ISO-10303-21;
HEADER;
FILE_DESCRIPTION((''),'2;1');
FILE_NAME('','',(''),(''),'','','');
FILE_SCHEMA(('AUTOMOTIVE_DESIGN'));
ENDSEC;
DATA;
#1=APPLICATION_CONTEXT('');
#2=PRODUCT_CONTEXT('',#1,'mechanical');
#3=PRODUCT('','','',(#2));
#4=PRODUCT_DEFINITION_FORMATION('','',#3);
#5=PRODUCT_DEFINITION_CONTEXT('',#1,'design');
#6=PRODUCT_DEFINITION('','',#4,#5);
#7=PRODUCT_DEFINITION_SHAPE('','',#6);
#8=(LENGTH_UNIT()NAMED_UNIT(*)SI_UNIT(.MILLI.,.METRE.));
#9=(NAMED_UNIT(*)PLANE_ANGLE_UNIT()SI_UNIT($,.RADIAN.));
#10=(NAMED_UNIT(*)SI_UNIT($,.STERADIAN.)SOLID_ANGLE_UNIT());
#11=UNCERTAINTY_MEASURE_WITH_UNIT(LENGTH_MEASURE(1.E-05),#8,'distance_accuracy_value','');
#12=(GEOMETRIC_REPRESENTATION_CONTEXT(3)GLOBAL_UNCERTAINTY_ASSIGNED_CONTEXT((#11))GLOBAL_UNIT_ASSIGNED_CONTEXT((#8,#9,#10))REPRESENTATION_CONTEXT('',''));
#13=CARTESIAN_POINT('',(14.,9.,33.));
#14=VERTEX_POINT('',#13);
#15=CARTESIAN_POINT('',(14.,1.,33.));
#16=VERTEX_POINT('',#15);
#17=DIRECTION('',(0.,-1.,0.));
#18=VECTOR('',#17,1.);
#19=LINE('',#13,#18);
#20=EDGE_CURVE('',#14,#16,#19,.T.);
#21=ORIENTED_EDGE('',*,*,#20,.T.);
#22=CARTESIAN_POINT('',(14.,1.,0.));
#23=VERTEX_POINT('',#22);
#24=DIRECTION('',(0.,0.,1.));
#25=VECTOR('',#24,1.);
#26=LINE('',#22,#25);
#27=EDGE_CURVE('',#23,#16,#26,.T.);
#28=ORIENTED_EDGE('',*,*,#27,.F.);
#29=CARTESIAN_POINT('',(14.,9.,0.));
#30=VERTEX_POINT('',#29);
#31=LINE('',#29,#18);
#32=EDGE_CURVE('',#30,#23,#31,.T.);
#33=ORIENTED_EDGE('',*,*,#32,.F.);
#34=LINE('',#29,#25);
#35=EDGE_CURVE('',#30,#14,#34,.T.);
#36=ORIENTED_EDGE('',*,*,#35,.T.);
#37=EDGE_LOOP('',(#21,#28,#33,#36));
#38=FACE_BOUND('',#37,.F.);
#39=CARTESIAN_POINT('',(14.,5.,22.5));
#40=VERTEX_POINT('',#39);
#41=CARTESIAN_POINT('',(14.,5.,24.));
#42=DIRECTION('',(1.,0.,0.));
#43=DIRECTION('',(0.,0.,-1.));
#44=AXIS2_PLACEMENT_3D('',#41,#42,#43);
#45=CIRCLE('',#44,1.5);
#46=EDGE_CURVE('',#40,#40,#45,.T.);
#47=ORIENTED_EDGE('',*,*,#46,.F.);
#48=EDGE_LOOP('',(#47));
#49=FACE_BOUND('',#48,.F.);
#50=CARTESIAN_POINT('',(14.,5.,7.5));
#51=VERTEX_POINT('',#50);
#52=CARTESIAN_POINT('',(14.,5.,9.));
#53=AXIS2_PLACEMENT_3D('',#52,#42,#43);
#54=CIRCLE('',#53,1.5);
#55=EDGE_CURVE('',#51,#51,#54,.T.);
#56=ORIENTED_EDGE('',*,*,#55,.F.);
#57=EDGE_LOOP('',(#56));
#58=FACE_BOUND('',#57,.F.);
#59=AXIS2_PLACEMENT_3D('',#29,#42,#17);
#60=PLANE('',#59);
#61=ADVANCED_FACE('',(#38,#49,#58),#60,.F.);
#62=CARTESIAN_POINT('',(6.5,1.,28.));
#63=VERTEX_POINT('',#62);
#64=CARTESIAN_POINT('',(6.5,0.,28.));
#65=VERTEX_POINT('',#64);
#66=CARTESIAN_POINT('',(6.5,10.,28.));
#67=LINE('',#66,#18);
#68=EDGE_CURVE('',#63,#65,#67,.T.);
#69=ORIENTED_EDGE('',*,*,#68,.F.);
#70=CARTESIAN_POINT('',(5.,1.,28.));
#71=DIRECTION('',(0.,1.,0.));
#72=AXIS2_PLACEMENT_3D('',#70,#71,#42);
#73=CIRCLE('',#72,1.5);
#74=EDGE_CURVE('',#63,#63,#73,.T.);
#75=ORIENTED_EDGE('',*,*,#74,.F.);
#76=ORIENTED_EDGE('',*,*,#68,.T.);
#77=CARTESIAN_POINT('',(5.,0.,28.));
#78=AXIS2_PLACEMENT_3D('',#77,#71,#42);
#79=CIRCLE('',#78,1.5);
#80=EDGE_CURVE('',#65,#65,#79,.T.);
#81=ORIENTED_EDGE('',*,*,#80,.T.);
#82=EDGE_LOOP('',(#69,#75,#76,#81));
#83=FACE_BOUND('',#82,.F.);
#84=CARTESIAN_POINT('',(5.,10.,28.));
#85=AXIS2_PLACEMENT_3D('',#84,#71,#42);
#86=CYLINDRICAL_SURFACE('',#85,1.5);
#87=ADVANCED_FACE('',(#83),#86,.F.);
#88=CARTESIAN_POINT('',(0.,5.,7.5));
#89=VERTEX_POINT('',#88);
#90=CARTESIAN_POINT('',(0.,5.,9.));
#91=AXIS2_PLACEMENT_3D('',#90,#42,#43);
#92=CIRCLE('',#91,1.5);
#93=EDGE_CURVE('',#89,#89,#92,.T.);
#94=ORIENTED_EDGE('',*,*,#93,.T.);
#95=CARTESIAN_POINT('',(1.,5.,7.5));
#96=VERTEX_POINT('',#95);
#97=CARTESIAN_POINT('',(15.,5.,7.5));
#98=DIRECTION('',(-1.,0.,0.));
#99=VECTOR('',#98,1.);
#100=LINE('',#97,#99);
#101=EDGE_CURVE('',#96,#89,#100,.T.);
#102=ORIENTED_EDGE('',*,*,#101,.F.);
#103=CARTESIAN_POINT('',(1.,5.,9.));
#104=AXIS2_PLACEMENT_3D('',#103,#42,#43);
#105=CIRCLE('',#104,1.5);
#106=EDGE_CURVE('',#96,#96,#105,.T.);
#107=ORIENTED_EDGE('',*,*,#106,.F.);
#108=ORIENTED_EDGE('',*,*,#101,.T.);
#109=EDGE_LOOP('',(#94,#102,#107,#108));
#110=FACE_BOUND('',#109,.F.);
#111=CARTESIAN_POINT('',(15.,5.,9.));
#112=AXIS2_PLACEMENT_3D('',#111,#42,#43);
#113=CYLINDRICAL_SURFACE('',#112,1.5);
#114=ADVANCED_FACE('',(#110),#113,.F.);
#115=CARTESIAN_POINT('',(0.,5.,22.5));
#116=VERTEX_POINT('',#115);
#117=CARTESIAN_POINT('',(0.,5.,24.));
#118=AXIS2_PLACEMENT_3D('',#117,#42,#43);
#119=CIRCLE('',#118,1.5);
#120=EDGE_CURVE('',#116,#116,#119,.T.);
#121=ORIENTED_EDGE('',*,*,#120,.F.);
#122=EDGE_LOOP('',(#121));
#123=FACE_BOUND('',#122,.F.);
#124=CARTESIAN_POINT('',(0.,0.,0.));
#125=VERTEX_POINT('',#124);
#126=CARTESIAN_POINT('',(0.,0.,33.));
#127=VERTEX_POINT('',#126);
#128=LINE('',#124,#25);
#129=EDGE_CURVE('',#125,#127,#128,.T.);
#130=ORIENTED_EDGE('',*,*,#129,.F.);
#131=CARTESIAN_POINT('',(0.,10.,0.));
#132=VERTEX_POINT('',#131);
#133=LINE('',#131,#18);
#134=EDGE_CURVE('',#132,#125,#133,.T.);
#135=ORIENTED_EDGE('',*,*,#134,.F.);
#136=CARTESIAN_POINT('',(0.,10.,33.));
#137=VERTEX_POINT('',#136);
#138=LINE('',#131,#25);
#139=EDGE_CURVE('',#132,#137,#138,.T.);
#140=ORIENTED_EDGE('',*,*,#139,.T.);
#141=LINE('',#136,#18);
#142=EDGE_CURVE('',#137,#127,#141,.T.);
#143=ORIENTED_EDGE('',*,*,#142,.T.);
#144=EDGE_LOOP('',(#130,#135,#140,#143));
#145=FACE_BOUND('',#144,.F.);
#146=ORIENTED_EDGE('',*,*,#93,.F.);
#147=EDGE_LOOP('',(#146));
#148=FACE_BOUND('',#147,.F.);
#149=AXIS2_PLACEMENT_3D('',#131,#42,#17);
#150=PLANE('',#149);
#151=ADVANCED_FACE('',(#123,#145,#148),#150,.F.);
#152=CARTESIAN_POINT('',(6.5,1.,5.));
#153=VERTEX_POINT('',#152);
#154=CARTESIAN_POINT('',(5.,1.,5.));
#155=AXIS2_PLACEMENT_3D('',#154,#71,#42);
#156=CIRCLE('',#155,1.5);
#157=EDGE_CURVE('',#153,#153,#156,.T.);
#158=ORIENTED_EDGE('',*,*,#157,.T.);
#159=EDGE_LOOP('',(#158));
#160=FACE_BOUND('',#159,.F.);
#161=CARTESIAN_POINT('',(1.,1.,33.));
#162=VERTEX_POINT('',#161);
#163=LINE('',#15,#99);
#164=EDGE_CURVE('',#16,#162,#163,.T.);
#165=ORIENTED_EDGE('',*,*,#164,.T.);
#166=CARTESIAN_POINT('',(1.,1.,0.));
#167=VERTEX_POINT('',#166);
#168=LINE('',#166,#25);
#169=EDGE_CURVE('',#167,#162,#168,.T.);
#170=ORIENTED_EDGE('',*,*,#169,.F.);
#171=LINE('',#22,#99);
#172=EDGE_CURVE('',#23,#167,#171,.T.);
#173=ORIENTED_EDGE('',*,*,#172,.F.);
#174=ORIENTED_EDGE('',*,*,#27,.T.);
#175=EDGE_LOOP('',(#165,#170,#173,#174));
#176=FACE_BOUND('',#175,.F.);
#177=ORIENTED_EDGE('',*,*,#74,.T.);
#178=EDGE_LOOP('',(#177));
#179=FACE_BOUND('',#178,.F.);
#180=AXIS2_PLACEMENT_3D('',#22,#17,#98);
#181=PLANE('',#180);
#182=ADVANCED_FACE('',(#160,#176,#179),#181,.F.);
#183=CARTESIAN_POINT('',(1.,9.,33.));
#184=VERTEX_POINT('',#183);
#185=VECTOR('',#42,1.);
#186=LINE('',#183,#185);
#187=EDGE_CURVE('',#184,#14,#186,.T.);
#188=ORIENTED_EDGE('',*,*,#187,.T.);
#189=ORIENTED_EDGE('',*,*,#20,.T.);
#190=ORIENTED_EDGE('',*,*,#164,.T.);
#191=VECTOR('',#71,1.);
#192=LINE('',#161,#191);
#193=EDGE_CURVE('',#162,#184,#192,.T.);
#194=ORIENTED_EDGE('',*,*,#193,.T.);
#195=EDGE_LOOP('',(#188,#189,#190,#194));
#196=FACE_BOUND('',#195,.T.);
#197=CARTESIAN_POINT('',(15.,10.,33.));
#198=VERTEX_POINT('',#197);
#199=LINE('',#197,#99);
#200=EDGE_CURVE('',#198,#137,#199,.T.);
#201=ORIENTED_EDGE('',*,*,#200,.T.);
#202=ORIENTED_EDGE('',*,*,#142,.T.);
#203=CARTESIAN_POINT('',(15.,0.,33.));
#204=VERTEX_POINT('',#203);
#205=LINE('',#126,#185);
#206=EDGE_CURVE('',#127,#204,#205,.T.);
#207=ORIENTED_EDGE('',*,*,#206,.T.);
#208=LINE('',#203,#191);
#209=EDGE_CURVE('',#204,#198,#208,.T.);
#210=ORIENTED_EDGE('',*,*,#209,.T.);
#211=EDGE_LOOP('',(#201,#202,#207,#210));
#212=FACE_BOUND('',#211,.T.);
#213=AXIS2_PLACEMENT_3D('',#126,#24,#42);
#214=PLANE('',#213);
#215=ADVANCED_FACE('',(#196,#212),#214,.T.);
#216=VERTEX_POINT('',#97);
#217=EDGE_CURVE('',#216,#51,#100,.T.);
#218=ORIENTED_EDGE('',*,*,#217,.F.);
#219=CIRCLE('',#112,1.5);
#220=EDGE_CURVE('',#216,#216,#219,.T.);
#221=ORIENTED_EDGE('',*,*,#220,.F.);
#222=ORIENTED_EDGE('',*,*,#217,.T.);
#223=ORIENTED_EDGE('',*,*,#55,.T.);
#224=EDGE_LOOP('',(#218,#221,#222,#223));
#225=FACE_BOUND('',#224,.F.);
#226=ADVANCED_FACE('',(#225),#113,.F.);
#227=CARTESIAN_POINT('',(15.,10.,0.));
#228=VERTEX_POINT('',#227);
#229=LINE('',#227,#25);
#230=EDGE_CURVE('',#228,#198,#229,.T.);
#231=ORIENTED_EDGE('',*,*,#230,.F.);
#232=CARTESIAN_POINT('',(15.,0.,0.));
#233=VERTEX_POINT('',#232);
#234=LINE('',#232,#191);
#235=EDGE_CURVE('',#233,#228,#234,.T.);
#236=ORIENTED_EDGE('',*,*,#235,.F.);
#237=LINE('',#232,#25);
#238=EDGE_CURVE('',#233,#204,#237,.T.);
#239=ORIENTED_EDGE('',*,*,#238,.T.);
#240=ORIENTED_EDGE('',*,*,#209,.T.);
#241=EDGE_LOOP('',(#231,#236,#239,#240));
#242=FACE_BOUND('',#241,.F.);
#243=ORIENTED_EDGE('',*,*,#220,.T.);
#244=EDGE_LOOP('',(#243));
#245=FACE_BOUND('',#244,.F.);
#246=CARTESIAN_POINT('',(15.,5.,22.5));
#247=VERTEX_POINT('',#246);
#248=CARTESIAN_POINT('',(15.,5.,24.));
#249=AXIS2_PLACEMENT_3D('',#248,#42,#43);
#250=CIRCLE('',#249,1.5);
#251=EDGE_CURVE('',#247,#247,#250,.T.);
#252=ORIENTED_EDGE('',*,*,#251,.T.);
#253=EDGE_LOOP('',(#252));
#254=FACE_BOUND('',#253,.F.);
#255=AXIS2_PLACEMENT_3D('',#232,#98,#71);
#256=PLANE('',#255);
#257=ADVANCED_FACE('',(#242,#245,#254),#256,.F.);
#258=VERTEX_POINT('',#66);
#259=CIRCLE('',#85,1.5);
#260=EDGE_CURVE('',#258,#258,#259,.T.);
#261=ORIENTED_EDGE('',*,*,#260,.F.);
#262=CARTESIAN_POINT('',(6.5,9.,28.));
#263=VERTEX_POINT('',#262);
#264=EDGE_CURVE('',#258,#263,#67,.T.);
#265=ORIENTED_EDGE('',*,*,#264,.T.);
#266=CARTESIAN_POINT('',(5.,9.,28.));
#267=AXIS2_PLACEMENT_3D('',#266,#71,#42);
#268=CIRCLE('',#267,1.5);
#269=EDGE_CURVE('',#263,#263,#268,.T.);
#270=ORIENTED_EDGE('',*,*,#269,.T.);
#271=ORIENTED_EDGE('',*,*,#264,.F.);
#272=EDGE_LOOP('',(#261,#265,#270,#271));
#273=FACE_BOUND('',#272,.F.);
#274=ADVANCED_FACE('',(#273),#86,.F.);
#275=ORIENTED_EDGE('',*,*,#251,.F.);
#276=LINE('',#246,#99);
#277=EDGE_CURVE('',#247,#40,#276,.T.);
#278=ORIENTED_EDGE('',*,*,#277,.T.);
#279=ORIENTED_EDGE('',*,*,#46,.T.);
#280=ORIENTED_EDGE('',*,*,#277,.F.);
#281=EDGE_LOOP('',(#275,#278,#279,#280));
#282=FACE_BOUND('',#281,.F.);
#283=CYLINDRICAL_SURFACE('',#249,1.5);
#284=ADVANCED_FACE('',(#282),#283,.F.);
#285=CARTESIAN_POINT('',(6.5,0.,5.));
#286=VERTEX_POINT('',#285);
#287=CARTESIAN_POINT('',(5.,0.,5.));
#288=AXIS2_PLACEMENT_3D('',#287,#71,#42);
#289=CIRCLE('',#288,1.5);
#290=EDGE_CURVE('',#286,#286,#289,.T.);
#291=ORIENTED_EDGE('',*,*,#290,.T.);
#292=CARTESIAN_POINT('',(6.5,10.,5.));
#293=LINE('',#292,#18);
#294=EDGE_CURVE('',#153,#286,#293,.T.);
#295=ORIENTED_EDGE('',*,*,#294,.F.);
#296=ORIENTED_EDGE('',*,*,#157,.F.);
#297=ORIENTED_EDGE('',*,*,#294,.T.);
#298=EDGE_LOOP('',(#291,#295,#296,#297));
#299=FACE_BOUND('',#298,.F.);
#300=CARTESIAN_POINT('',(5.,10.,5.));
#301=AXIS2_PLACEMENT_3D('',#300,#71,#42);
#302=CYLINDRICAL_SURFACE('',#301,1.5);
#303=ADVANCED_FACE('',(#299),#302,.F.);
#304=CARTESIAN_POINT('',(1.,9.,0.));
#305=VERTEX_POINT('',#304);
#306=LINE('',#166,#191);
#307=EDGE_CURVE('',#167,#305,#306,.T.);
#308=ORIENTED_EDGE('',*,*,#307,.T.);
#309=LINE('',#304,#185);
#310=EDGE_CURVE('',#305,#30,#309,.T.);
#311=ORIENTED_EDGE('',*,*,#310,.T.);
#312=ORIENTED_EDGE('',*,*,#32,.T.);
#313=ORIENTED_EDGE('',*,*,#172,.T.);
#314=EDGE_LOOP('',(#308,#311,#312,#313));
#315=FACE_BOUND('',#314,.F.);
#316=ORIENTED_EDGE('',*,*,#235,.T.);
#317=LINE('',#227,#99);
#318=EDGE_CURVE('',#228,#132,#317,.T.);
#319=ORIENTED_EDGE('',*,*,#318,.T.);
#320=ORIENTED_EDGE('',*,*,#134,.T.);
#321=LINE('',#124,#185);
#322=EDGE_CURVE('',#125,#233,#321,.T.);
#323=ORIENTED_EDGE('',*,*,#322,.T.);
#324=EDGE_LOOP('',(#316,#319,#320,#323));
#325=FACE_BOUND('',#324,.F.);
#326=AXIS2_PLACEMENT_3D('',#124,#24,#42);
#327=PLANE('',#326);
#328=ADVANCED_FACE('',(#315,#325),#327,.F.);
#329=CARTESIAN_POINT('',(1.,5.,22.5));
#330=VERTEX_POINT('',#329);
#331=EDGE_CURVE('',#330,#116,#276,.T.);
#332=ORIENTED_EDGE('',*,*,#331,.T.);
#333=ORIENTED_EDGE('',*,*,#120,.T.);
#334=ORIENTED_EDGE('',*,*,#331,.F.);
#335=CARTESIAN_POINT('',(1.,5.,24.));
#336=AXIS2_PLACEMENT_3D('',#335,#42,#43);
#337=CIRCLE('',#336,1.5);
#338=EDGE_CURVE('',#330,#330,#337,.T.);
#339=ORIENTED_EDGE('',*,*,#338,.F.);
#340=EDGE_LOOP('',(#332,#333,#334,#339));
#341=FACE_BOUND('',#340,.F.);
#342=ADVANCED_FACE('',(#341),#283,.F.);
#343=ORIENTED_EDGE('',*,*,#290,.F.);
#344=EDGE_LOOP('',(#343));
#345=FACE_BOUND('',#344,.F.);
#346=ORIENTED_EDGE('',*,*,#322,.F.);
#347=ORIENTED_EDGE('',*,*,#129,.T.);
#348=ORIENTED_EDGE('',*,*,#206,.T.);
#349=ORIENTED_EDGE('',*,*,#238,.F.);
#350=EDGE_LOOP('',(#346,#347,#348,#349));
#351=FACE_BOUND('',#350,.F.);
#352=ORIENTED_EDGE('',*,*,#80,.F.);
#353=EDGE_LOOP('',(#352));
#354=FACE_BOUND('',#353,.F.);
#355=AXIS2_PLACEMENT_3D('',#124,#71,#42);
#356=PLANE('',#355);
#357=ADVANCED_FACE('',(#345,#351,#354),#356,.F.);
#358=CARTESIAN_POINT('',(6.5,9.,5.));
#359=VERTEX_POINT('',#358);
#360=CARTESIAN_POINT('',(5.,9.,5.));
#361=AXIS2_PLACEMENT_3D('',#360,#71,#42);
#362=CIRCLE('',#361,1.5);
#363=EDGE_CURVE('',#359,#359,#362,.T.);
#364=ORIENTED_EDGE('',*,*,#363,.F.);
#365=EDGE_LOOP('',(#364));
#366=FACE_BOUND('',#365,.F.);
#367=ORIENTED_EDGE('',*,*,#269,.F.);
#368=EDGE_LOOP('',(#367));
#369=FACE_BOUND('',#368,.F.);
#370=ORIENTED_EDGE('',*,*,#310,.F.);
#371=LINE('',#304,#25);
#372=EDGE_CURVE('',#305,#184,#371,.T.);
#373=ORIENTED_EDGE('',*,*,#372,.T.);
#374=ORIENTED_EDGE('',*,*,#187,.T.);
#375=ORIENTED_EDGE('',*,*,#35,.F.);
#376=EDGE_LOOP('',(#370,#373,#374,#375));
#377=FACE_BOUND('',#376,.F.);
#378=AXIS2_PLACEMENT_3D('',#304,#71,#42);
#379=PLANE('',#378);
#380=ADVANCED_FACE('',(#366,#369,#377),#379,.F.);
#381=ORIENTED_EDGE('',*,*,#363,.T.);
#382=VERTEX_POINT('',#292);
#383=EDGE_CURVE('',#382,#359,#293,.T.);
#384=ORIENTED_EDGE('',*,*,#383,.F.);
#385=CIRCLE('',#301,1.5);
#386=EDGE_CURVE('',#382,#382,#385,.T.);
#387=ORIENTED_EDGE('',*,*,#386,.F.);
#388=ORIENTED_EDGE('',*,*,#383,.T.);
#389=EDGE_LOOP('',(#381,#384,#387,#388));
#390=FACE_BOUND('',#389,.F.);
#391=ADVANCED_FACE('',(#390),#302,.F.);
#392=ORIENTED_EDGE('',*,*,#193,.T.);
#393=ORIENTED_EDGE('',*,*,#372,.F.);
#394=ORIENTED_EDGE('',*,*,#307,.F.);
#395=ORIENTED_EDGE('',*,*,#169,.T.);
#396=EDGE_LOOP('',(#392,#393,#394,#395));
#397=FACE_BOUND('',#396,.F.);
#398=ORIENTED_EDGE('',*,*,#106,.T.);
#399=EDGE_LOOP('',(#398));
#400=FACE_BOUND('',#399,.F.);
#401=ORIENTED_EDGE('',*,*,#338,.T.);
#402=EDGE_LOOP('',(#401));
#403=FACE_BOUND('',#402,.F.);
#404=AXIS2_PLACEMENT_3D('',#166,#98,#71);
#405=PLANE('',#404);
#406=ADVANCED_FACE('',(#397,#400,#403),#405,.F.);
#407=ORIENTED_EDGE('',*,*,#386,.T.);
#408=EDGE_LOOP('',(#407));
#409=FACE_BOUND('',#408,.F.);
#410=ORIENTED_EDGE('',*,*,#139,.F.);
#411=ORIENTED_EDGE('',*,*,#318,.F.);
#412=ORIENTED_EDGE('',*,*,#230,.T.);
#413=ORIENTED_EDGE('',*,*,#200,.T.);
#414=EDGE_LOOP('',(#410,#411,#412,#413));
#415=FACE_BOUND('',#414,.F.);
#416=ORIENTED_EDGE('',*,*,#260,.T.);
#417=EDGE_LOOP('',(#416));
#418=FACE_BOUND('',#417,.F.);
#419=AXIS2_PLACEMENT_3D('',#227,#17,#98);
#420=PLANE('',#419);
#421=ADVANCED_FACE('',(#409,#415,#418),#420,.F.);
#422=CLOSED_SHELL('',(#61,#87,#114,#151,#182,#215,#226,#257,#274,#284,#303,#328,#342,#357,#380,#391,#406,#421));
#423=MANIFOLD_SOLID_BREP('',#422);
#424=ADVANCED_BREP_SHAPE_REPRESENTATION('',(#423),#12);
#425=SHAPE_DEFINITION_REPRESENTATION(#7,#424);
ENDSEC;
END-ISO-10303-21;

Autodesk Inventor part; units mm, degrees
ref_plane "YZ Plane" through (0, 0, 0) normal (1, 0, 0) x (0, 1, 0)
ref_plane "XZ Plane" through (0, 0, 0) normal (0, 1, 0) x (-1, 0, 0)
ref_plane "XY Plane" through (0, 0, 0) normal (0, 0, 1) x (1, 0, 0)
sketch "Sketch1" plane through (0, 0, 0) normal (0, 0, 1) x (1, 0, 0)
  line L0 (0, 0) -> (15, 0)
  line L1 (15, 0) -> (15, 10)
  line L2 (15, 10) -> (0, 10)
  line L3 (0, 10) -> (0, 0)
  line L4 (1, 9) -> (14, 9)
  line L5 (14, 9) -> (14, 1)
  line L6 (14, 1) -> (1, 1)
  line L7 (1, 1) -> (1, 9)
  dimension "d0" = 15
  dimension "d1" = 10
  dimension "d2" = 13
  dimension "d3" = 8
  dimension "d4" = 1
  dimension "d5" = 1
extrude "Extrusion1" add sketch "Sketch1" along normal blind 33
sketch "Sketch2" plane through (0, 10, 0) normal (0, 1, 0) x (1, 0, 0)
  line L0 (15, 0) -> (0, 0) projected
  line L1 (0, 0) -> (0, -33) projected
  line L2 (15, -33) -> (0, -33) projected
  line L3 (15, 0) -> (15, -33) projected
  circle A0 centre (5, -5) radius 1.5
  circle A1 centre (5, -28) radius 1.5
  dimension "d8" = 3
  dimension "d9" = 3
  dimension "d10" = 5
  dimension "d11" = 5
  dimension "d12" = 5
  dimension "d13" = 5
extrude "Extrusion2" cut sketch "Sketch2" against normal up to surface (10 mm away) contours A0 | A1
sketch "Sketch3" plane through (15, 0, 0) normal (1, 0, 0) x (0, 0, -1)
  line L0 (0, 0) -> (0, 10) projected
  line L1 (0, 10) -> (-33, 10) projected
  line L2 (-33, 0) -> (-33, 10) projected
  line L3 (0, 0) -> (-33, 0) projected
  circle A0 centre (-9, 5) radius 1.5
  circle A1 centre (-24, 5) radius 1.5
  dimension "d16" = 3
  dimension "d17" = 5
  dimension "d18" = 9
  dimension "d21" = 3
  dimension "d22" = 5
  dimension "d23" = 9
extrude "Extrusion3" cut sketch "Sketch3" against normal up to surface (15 mm away) contours A0 | A1
properties part number "profile2" material "Aluminum 6061, Welded"
